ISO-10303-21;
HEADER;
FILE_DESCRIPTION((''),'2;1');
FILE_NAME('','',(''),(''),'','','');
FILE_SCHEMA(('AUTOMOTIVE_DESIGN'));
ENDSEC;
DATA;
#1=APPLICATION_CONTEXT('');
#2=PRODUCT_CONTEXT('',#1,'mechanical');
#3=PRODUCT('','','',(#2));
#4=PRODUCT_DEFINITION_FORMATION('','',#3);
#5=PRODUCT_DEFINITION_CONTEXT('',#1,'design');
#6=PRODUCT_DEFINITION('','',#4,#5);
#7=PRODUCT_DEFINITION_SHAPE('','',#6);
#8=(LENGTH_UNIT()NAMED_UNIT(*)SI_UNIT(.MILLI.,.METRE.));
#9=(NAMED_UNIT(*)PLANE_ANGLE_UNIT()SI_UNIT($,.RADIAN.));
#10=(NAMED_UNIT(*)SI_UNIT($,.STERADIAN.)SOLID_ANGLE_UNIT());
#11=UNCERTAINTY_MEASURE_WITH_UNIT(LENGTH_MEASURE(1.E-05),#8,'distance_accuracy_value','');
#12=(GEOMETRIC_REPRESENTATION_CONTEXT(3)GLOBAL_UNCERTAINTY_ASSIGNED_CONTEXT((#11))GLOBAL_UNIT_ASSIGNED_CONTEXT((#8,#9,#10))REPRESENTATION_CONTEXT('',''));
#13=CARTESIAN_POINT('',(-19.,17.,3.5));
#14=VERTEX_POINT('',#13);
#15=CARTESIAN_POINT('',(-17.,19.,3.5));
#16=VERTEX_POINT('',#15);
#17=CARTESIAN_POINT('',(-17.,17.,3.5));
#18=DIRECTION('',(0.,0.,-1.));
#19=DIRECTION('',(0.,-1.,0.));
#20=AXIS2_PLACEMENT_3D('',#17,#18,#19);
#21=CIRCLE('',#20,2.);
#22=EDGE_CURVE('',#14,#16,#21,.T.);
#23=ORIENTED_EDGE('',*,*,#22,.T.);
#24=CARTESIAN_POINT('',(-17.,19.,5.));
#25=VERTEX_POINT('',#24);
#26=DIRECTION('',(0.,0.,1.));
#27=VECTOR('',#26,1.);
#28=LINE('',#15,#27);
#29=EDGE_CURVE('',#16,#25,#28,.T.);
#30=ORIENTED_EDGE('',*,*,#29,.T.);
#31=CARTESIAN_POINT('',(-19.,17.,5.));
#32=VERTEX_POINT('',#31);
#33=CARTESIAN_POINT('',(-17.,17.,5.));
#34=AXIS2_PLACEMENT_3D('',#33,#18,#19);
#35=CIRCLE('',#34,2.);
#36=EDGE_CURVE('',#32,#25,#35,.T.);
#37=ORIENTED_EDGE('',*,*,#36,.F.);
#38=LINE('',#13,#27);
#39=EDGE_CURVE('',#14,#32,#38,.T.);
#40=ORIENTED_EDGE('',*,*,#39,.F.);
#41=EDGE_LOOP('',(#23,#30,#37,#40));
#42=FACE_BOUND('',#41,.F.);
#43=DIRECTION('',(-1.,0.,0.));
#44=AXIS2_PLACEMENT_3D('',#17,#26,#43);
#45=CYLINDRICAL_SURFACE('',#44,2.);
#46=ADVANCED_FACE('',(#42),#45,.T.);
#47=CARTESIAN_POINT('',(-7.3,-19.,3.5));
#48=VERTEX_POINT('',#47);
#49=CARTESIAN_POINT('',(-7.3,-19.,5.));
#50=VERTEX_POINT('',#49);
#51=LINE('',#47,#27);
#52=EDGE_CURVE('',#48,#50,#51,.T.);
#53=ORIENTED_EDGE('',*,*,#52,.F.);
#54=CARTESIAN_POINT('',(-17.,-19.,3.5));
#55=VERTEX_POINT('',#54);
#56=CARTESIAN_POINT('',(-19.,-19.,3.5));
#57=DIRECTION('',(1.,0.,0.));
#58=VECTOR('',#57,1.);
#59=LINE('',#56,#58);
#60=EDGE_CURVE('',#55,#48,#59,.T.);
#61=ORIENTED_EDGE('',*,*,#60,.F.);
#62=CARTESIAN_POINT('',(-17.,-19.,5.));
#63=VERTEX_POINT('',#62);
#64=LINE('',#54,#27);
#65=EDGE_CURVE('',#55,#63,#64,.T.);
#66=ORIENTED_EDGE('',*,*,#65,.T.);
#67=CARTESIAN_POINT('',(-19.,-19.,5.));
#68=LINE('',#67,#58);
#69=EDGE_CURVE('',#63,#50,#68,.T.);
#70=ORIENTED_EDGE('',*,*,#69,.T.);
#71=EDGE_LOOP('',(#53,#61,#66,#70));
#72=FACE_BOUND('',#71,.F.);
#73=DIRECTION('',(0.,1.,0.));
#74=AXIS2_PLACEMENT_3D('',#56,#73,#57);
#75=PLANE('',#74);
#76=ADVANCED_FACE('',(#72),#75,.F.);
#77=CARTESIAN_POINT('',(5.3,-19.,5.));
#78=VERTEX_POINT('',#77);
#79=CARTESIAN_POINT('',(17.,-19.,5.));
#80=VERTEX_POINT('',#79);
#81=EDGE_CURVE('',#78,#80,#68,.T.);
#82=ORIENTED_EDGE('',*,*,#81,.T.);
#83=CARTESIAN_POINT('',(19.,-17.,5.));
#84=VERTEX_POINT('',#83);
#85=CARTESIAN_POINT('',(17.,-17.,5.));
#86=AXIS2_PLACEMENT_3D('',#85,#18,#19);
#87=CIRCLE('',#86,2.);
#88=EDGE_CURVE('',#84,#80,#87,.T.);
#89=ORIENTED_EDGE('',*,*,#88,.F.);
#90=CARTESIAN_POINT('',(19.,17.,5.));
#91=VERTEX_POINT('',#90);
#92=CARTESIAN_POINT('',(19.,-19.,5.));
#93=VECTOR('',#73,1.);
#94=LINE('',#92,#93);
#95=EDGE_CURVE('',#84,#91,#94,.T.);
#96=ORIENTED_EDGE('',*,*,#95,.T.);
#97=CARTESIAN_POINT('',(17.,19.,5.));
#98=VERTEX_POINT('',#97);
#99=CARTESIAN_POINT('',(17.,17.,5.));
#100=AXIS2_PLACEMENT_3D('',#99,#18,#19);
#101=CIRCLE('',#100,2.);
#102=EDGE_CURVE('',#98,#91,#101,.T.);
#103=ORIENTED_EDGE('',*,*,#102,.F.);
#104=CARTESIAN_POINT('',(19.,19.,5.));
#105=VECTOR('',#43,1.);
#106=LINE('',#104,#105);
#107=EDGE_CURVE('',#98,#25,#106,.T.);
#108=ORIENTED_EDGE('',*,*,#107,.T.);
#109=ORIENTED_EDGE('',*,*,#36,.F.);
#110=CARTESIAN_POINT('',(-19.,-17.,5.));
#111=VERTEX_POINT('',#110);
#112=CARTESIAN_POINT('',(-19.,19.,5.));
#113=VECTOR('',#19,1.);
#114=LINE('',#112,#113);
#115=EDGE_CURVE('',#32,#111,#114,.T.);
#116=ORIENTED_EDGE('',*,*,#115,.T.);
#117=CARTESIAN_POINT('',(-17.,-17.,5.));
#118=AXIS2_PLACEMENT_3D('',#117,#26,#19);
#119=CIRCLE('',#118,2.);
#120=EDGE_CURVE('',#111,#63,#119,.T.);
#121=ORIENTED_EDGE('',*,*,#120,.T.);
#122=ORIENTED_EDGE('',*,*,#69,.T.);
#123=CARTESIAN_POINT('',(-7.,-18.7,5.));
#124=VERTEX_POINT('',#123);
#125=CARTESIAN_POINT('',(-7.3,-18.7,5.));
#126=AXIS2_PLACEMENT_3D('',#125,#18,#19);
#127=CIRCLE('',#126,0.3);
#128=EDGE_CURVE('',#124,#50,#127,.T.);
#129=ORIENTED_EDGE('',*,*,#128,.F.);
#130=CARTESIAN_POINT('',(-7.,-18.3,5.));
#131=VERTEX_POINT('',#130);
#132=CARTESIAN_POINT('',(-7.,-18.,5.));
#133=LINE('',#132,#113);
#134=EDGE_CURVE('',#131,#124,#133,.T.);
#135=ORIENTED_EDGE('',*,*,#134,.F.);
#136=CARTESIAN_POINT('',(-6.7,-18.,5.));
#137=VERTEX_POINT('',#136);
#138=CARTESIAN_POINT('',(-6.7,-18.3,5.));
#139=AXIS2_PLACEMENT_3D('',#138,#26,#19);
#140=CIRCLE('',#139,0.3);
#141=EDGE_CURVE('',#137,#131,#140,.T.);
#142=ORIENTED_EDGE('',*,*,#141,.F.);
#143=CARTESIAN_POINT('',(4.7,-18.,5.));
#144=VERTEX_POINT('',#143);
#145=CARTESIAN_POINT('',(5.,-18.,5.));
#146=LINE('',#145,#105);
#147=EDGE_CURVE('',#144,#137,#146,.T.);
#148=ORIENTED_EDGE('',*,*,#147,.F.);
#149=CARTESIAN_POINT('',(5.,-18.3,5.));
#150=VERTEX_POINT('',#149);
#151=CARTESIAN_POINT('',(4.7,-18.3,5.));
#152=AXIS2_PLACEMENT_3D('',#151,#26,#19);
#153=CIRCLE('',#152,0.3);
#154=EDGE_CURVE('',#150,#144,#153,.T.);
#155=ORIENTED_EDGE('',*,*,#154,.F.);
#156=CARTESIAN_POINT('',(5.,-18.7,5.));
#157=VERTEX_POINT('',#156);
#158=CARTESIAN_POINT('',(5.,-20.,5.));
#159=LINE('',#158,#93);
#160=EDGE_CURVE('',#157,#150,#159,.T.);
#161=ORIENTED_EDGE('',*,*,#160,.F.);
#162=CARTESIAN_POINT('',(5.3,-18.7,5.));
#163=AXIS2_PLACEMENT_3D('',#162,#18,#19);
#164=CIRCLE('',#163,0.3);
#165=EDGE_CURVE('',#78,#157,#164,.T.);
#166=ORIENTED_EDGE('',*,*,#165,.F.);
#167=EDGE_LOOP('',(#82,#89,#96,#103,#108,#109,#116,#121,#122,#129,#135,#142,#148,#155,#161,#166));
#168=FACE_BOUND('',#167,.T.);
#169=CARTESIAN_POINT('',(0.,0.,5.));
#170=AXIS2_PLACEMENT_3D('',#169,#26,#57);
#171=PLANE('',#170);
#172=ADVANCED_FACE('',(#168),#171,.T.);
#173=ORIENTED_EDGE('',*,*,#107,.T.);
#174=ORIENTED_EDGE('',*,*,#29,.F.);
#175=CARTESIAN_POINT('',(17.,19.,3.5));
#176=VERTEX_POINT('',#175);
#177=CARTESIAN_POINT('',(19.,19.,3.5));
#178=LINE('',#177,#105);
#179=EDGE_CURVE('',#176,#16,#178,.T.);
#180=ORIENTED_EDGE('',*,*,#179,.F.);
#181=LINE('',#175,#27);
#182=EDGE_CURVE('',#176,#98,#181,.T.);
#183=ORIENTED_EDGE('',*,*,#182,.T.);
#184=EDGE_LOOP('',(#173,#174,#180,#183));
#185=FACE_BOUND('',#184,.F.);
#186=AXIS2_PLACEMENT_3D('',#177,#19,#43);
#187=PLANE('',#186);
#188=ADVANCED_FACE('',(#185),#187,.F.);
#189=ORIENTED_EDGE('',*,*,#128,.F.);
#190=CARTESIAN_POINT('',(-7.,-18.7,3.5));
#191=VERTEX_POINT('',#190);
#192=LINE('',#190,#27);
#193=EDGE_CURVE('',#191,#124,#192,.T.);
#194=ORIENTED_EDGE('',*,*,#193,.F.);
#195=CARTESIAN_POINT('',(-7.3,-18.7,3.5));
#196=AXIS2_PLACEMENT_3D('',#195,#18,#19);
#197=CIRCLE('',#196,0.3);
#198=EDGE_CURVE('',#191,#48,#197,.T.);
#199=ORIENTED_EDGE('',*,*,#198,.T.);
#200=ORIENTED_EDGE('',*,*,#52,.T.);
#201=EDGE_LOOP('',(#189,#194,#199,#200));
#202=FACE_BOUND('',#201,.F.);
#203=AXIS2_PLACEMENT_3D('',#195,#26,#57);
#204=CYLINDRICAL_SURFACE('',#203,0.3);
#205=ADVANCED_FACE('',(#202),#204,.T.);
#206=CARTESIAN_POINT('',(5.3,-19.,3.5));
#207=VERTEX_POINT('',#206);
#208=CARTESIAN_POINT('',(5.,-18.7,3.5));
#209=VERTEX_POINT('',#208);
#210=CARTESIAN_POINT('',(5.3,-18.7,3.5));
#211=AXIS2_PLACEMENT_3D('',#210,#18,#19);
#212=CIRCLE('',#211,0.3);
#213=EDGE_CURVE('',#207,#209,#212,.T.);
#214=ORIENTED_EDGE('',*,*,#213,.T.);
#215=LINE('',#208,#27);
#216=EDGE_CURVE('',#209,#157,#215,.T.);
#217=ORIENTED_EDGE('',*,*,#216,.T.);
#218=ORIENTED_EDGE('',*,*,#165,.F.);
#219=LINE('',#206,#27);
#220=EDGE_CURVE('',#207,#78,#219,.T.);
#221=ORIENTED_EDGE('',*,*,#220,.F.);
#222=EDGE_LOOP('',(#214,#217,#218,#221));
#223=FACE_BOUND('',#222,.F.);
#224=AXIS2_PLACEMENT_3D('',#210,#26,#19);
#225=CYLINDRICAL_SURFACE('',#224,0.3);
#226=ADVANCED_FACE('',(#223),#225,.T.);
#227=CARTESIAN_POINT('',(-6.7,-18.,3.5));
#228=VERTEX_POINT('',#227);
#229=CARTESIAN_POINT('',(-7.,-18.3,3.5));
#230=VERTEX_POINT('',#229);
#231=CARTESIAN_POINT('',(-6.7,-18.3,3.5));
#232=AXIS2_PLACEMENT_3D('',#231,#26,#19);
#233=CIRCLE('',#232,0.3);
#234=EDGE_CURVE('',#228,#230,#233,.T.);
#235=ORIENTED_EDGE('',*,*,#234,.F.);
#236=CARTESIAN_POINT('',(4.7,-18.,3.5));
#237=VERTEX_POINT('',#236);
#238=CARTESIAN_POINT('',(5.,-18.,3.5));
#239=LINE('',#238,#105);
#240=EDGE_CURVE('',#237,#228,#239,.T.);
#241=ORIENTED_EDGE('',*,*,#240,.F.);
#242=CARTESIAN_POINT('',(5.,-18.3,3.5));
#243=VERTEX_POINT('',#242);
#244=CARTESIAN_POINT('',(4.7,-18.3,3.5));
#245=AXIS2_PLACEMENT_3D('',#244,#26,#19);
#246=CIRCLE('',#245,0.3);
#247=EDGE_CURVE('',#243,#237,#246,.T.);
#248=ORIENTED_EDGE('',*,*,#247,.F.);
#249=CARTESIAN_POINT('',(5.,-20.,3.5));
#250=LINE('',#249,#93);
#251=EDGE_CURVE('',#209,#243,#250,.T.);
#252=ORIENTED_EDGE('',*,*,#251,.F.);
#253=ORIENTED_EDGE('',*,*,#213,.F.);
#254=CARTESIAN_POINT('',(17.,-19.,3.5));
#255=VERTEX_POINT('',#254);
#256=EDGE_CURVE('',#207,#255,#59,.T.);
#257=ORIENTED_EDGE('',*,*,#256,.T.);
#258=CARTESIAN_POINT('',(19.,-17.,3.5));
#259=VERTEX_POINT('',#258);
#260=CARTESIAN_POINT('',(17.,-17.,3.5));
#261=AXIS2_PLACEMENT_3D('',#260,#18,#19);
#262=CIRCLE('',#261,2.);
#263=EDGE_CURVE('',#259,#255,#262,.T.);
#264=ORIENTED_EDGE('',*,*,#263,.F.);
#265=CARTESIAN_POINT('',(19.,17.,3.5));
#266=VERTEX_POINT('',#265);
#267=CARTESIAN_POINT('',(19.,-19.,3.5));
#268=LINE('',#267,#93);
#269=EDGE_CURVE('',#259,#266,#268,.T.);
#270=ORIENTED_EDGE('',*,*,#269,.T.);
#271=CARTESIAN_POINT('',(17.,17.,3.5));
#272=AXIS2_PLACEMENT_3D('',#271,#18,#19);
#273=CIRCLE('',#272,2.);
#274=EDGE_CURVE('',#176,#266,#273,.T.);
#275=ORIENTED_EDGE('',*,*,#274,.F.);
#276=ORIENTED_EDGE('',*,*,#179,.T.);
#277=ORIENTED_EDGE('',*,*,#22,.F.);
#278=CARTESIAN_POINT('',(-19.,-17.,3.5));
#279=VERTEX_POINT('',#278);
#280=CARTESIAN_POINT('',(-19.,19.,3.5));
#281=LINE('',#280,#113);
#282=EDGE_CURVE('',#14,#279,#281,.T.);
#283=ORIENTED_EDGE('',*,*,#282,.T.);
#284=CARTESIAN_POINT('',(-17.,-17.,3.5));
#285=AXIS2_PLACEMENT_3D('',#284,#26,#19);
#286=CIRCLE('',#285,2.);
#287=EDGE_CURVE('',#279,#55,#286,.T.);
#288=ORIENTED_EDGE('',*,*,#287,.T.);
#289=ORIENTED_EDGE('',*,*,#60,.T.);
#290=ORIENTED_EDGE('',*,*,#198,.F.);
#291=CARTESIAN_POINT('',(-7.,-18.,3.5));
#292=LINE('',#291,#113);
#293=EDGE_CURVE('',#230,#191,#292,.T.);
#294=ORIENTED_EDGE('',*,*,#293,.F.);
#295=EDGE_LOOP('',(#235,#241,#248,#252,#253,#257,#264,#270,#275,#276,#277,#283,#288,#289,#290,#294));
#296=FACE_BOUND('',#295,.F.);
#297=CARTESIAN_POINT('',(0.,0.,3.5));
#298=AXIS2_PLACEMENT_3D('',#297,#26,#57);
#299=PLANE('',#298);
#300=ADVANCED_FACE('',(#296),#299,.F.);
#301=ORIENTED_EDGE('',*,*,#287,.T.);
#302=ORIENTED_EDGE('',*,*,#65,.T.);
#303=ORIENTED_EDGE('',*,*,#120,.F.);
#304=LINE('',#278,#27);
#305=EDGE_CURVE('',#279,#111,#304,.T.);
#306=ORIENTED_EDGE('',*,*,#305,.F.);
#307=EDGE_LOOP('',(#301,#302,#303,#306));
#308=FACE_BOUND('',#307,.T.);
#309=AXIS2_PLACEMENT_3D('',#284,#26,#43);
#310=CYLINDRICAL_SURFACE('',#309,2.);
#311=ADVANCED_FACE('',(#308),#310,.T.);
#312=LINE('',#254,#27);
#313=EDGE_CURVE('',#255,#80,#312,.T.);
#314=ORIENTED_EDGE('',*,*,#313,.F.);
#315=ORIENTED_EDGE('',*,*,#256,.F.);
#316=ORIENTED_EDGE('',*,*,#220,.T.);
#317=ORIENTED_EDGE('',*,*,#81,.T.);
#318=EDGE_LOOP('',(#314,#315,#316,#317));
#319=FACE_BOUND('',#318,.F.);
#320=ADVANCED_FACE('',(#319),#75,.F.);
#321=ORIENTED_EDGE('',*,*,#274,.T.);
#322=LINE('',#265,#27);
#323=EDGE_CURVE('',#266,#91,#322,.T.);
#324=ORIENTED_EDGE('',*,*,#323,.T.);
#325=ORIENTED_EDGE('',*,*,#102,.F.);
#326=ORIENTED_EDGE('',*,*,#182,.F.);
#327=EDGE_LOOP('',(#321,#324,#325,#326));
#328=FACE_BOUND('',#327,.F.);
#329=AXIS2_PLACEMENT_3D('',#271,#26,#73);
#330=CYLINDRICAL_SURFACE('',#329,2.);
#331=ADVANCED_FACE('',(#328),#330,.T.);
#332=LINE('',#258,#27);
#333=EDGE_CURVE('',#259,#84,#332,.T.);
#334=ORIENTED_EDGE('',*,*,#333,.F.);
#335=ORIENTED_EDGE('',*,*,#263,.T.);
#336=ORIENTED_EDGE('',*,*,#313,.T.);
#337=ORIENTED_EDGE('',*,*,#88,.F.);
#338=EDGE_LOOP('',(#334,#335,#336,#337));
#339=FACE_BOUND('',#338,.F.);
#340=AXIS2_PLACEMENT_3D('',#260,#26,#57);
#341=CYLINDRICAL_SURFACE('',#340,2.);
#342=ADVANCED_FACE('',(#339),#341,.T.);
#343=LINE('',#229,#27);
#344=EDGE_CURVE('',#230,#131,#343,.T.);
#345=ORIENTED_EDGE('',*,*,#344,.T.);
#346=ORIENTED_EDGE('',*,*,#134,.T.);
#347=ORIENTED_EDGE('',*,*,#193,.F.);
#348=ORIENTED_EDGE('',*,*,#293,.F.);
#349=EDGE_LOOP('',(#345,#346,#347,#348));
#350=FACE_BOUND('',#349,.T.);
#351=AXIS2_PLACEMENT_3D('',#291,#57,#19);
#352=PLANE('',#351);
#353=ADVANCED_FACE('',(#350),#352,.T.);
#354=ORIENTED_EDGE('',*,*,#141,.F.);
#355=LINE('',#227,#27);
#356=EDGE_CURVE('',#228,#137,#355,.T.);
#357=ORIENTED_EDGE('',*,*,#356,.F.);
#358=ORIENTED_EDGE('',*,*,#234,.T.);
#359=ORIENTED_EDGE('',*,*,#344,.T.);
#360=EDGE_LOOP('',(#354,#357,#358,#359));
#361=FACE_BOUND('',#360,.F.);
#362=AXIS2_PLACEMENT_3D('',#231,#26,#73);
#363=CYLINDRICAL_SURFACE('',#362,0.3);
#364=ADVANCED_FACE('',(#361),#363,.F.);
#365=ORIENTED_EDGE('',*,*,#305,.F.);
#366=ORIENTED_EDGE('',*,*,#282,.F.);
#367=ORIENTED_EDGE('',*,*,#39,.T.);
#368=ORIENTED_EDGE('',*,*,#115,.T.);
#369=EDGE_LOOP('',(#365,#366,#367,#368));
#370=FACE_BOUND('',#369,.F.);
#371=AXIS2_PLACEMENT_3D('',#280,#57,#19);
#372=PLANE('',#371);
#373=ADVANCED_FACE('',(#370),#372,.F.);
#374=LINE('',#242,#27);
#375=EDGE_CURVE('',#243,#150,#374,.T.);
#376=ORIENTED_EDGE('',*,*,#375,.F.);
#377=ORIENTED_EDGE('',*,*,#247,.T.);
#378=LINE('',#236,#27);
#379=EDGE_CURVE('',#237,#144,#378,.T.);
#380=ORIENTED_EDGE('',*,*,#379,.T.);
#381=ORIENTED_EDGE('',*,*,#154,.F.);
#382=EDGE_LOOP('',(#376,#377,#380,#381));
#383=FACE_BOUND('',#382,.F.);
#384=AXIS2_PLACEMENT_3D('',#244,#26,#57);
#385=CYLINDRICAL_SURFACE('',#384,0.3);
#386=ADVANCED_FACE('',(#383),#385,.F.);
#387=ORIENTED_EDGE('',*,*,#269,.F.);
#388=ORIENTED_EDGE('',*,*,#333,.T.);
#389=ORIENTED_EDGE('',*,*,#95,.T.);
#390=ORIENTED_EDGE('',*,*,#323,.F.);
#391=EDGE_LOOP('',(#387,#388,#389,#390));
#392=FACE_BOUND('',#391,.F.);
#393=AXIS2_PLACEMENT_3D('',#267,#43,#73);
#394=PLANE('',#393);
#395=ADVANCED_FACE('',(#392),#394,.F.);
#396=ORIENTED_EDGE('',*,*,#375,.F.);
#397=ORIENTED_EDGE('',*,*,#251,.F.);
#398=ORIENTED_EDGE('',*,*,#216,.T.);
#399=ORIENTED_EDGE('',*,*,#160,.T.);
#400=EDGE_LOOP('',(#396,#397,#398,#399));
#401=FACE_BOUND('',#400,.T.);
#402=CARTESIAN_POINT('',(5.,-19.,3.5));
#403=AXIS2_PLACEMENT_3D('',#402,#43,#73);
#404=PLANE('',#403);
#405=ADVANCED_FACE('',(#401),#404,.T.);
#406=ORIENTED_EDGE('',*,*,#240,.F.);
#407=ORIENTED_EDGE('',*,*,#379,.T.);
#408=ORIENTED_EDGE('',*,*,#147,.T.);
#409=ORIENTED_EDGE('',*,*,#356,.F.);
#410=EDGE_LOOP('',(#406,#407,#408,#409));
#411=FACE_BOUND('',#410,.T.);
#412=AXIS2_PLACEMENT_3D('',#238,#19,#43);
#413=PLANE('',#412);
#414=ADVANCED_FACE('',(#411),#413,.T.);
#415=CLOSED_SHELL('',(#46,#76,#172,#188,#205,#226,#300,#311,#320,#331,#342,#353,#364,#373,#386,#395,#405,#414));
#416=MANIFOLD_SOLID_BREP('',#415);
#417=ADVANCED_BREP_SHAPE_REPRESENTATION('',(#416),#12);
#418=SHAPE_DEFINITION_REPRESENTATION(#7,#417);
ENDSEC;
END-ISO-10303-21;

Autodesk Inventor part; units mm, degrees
ref_plane "YZ Plane" through (0, 0, 0) normal (1, 0, 0) x (0, 1, 0)
ref_plane "XZ Plane" through (0, 0, 0) normal (0, 1, 0) x (-1, 0, 0)
ref_plane "РабПлоскость1" through (0, 0, 3.5) normal (0, 0, 1) x (1, 0, 0)
sketch "Эскиз1" plane through (0, 0, 3.5) normal (0, 0, 1) x (1, 0, 0)
  line L0 (-19, -19) -> (19, -19)
  line L1 (19, -19) -> (19, 19)
  line L2 (19, 19) -> (-19, 19)
  line L3 (-19, 19) -> (-19, -19)
  line L4 (-19, -19) -> (19, 19) construction
  line L5 (19, -19) -> (-19, 19) construction
  point P0 (0, 0)
  dimension "d1" = 38
  dimension "d2" = 38
extrude "Выдавливание1" add sketch "Эскиз1" along normal blind 1.5
fillet "Сопряжение1" radius 2 4 edges at (19, -19, 4.25) (19, 19, 4.25) (-19, 19, 4.25) (-19, -19, 4.25)
sketch "Эскиз2" plane through (0, 0, 3.5) normal (0, 0, -1) x (-1, 0, 0)
  line L0 (19, 17) -> (19, -17) projected
  line L1 (19, 0) -> (13, 0)
  line L2 (-17, 19) -> (17, 19) projected
  line L3 (13, 19) -> (13, -19)
  line L4 (17, -19) -> (-17, -19) projected
  line L5 (7, -19) -> (-5, -19)
  line L6 (-19, -19) -> (1, -19)
  line L7 (-19, -17) -> (-19, 17) projected
  line L8 (7, -20) -> (-5, -20)
  line L9 (-5, -20) -> (-5, -18)
  line L10 (-5, -18) -> (7, -18)
  line L11 (7, -18) -> (7, -20)
  line L12 (7, -20) -> (-5, -18) construction
  line L13 (-5, -20) -> (7, -18) construction
  point P0 (0, 0)
  point P1 (-5, -19)
  dimension "d6" = 6
  dimension "d7" = 12
  dimension "d8" = 20
  dimension "d9" = 2
extrude "Выдавливание2" cut sketch "Эскиз2" against normal blind 1.5 contours L4 L9 L10 L11
fillet "Сопряжение2" radius 0.3 4 edges at (-7, -19, 4.25) (-7, -18, 4.25) (5, -19, 4.25) (5, -18, 4.25)
sketch "Эскиз3" plane through (0, 0, 3.5) normal (0, 0, -1) x (-1, 0, 0)
  arc A0 (19, 17) -> (17, 19) centre (17, 17) ccw projected
  line L0 (19, 17) -> (19, 19)
  line L1 (19, 19) -> (9, 19)
  line L2 (9, 19) -> (9, -19)
  line L3 (17, -19) -> (7.3, -19) projected
  point P0 (0, 0)
  dimension "d13" = 10
properties part number "ButerBoard"
